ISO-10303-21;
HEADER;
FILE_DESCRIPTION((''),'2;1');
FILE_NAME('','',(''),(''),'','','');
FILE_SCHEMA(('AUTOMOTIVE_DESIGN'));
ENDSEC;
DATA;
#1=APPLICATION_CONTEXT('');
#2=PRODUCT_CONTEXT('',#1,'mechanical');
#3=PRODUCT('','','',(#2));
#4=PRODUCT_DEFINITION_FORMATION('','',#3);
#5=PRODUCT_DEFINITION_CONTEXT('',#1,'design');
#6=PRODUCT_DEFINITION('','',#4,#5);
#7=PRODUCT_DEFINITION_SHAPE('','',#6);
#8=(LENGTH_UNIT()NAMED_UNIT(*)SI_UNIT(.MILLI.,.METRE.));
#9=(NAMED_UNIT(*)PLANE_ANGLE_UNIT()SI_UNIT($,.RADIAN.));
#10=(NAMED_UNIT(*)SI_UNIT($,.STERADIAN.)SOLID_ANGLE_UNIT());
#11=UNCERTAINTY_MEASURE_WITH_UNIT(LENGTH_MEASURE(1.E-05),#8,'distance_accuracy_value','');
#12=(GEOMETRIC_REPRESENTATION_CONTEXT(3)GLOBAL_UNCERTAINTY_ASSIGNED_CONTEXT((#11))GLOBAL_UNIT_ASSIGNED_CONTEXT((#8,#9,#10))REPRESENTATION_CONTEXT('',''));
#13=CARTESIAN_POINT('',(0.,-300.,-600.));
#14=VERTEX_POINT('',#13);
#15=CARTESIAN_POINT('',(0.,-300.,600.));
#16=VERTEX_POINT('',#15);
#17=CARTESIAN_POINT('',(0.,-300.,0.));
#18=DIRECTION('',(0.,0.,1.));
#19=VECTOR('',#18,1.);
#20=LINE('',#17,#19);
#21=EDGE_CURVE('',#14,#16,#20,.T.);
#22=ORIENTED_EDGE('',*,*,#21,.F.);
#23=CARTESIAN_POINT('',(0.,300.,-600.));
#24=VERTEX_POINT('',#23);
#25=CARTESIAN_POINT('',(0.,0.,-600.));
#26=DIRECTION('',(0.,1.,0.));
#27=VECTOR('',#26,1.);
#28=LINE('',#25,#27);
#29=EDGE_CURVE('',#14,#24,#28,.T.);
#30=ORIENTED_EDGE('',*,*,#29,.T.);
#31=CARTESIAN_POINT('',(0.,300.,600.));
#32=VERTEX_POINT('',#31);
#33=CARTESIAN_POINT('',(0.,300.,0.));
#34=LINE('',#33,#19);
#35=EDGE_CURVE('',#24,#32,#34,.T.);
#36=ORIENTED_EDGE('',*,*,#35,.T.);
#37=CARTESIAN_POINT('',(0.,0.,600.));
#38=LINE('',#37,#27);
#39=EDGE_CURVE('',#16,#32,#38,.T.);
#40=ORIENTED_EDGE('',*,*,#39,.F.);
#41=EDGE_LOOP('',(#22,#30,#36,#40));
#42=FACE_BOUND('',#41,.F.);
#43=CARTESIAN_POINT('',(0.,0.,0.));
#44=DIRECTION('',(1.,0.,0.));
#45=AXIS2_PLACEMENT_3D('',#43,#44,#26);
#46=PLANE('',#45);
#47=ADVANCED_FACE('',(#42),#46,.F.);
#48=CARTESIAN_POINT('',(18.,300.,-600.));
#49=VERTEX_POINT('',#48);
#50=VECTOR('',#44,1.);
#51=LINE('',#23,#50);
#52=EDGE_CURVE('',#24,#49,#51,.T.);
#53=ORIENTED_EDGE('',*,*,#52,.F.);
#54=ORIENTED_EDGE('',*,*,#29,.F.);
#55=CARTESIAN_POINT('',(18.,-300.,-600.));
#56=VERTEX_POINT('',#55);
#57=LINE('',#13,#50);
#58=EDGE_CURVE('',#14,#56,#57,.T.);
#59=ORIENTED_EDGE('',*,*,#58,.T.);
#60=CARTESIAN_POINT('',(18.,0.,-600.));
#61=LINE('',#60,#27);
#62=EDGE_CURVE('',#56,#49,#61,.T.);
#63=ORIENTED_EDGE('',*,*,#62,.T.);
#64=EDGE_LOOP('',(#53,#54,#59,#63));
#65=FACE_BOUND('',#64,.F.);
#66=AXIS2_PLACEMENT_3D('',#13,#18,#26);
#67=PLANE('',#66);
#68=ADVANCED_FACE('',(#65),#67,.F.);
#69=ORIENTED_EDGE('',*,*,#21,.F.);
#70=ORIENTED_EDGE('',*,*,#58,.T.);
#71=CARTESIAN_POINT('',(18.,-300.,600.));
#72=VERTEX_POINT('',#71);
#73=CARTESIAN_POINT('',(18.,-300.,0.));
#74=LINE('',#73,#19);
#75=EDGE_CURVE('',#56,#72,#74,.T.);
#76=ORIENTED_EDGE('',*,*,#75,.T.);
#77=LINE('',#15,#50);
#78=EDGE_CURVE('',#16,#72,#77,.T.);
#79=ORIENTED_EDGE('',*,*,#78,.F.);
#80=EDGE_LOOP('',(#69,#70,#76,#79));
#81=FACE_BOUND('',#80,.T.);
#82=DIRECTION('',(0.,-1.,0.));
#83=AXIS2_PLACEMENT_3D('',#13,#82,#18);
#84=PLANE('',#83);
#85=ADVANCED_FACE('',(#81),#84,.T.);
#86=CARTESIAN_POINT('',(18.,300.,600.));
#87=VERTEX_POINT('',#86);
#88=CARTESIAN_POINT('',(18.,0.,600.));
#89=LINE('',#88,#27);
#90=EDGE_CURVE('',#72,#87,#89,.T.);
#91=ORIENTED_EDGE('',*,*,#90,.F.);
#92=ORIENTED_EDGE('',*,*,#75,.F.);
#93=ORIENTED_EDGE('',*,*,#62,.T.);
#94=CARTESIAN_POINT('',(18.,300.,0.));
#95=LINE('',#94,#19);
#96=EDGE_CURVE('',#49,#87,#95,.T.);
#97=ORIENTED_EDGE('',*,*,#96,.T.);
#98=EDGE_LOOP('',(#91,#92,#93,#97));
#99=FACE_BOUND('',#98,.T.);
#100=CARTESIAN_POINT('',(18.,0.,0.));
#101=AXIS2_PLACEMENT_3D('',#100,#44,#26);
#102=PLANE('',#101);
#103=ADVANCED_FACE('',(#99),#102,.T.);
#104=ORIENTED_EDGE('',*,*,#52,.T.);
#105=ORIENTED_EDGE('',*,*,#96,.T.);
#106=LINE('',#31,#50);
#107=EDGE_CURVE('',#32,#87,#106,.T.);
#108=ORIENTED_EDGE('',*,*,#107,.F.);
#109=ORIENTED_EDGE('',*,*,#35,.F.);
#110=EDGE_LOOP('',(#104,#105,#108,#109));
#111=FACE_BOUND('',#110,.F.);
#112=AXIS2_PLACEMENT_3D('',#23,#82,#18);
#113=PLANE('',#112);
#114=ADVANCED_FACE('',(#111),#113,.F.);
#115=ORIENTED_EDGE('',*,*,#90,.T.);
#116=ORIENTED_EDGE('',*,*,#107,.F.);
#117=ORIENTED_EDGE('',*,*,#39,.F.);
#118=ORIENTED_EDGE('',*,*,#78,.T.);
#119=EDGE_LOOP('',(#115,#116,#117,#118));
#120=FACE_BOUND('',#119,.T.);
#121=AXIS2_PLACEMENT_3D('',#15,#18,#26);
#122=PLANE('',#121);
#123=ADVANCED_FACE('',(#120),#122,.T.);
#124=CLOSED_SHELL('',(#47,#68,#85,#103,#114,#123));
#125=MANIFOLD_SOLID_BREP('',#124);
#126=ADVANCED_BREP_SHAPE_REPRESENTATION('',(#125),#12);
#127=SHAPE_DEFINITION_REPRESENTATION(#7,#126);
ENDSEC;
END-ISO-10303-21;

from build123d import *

# Parameters (mm, degrees)
F0_W     = 600
F0_H     = 1200
F1_DEPTH = 18
F2_DEPTH = 18


with BuildPart() as f1:
    # F0 (on Right) → F1 (new body)
    with BuildSketch(Plane.YZ):
        Rectangle(F0_W, F0_H)
    extrude(amount=F1_DEPTH)

    # F0 (on Right) → F2 (join)
    with BuildSketch(Plane.YZ):
        Rectangle(F0_W, F0_H)
    extrude(amount=F2_DEPTH)


solid = f1.part
